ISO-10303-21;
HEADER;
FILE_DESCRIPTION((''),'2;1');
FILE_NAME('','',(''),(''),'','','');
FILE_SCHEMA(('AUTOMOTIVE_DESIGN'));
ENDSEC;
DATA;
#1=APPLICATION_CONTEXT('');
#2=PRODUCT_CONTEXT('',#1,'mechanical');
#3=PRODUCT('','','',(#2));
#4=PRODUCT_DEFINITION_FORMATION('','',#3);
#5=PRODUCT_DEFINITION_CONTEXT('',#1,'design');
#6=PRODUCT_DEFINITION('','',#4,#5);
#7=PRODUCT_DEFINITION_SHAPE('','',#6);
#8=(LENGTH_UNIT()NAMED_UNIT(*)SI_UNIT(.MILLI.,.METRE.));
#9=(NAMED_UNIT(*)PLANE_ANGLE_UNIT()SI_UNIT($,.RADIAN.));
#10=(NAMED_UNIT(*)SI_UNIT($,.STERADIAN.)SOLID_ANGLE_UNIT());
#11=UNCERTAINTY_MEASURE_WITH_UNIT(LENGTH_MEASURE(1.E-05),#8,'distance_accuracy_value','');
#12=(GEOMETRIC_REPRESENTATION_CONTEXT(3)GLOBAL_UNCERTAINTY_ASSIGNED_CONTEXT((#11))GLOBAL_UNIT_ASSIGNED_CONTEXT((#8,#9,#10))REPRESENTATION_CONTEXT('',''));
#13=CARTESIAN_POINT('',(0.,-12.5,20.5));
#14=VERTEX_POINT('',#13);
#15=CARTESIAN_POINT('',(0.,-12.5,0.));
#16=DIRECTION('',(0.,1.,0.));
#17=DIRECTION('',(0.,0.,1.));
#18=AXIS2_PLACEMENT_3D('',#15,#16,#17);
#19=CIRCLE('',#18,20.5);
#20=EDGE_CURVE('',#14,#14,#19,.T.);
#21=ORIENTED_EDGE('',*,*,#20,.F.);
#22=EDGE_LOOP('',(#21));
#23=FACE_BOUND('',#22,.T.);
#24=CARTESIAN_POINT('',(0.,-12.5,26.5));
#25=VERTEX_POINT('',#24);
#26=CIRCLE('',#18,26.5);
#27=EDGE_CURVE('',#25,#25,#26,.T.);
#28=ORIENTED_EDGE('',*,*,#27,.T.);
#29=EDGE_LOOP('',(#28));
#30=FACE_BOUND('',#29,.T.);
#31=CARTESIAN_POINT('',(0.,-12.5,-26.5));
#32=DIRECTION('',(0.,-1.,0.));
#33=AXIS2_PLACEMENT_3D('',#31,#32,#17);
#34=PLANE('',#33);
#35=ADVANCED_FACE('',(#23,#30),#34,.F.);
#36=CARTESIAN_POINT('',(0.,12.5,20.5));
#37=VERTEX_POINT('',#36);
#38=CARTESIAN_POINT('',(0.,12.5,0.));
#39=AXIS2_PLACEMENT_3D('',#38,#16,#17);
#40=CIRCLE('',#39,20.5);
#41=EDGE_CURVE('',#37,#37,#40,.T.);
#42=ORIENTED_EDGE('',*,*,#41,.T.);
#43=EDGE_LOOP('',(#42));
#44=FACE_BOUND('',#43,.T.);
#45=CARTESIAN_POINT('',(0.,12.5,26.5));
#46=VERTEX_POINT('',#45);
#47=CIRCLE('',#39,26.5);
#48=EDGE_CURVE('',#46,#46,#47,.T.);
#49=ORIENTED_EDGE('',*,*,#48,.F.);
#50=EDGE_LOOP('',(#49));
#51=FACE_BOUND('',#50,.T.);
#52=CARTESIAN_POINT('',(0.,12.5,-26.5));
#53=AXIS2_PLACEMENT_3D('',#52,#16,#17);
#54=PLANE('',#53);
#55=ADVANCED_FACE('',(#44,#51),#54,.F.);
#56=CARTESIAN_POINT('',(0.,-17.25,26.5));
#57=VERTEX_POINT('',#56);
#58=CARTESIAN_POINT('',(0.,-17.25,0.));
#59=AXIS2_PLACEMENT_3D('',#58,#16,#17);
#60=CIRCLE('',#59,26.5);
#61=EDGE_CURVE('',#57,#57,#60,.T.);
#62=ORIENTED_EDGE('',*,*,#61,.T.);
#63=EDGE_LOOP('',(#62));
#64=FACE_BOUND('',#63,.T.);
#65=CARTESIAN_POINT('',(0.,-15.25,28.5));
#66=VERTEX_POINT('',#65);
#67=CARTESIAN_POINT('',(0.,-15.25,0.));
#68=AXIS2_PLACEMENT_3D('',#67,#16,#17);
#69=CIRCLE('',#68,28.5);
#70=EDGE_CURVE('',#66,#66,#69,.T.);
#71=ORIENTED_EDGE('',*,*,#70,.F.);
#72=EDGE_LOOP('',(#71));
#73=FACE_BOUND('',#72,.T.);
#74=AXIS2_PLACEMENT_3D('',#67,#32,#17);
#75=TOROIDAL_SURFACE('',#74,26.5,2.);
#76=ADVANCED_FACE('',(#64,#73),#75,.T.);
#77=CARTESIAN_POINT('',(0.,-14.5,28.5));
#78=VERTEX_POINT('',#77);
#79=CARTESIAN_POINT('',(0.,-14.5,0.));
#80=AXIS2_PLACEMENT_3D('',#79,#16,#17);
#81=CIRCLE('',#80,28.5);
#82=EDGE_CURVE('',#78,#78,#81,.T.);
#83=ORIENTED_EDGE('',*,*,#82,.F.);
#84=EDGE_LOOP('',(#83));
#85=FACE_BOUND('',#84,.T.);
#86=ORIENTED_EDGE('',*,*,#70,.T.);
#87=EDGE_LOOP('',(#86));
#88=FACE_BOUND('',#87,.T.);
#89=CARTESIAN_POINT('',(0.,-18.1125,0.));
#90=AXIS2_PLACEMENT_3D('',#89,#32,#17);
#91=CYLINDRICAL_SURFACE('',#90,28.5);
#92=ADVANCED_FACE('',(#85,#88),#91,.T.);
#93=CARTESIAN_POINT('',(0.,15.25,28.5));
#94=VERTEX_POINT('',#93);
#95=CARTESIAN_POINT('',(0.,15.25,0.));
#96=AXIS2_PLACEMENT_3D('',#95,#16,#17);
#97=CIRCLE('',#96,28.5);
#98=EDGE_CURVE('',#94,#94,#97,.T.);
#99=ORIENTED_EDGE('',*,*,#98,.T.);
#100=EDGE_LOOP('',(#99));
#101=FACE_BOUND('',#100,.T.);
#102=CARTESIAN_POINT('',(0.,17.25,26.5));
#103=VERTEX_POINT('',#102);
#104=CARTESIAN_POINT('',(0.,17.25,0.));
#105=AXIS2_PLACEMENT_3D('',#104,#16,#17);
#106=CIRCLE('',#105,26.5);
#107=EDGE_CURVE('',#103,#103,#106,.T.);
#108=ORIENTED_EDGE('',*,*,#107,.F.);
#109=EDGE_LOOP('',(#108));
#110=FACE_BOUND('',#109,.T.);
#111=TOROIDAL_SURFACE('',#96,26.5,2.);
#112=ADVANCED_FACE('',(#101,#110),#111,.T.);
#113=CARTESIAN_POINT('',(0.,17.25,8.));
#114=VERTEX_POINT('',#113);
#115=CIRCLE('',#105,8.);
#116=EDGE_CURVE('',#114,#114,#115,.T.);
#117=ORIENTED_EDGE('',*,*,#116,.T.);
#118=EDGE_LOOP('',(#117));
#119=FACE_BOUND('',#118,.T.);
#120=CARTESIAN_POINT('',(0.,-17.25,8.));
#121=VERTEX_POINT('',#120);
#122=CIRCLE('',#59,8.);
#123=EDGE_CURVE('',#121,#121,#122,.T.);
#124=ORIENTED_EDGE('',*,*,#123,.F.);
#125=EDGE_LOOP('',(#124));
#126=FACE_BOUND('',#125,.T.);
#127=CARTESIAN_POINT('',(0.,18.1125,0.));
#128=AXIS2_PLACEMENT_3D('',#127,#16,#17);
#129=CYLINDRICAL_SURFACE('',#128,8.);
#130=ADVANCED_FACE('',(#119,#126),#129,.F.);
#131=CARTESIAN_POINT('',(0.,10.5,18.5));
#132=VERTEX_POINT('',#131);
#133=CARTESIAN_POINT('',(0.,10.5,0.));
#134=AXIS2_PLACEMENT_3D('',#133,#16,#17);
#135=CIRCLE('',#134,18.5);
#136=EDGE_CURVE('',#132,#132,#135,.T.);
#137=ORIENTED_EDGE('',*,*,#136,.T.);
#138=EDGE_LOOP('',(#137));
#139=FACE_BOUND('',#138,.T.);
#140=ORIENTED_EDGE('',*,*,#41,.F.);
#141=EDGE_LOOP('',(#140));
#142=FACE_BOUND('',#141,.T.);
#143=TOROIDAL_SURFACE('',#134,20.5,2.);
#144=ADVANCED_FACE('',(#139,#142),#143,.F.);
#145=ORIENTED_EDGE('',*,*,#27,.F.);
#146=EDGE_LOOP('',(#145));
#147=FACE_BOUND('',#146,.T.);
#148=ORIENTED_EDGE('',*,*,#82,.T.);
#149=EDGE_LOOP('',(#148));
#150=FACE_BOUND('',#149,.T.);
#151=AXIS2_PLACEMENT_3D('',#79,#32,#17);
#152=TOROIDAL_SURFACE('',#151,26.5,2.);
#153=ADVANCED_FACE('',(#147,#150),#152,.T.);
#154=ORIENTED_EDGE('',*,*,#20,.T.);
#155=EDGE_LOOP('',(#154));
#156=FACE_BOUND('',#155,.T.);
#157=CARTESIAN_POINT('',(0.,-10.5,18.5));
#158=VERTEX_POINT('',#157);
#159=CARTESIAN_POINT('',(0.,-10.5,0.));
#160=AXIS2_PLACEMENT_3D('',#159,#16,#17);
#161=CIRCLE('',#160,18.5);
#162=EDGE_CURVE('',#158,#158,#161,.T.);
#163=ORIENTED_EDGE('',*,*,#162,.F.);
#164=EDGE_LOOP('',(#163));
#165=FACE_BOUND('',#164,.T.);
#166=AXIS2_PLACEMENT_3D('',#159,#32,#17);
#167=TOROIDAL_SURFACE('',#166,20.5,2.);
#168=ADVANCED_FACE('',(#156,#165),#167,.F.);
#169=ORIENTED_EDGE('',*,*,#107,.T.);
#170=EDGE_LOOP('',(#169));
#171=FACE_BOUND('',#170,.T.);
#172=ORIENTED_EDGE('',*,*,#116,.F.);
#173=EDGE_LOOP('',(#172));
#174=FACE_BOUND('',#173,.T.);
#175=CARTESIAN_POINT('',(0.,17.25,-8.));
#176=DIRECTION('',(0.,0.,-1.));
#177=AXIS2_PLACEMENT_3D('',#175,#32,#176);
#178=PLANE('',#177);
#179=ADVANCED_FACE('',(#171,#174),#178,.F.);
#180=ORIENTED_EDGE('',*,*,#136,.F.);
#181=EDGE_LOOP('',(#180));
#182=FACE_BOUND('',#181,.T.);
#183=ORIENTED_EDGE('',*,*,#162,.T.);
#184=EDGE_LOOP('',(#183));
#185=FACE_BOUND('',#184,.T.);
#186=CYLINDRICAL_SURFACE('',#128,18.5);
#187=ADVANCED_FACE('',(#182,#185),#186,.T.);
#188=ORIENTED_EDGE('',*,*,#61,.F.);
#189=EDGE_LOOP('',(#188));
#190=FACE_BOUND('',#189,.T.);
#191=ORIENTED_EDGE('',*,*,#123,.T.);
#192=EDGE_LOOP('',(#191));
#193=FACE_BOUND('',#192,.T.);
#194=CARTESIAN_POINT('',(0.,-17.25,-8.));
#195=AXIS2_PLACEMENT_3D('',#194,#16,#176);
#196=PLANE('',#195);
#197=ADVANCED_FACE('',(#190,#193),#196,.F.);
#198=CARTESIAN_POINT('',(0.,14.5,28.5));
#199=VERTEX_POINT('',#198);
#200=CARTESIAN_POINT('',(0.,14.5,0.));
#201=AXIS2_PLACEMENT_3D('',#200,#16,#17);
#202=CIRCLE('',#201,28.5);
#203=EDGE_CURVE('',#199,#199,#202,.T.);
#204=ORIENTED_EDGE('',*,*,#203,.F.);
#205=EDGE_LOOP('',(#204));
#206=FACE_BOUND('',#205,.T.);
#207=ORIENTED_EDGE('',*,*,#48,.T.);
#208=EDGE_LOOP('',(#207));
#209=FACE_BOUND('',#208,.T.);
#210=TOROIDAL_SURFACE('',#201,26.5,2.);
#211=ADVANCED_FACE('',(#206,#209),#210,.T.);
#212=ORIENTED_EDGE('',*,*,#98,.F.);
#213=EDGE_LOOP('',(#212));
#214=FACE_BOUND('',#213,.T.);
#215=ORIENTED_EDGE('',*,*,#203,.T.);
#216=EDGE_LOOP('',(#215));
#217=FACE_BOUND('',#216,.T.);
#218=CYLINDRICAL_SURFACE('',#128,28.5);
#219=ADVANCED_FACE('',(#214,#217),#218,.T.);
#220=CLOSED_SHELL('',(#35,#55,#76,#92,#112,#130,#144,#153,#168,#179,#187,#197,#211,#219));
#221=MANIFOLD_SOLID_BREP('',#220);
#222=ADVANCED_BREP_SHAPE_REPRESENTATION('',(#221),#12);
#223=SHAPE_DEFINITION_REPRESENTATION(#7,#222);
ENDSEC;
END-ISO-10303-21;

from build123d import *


with BuildPart() as part:
    # Sketch3 → Revolve1 (revolve)
    with BuildSketch(Plane(origin=(0, 0, 0), x_dir=(0, 0, -1), z_dir=(1, 0, 0)), mode=Mode.PRIVATE) as revolve1_sk:
        with BuildLine():
            Line((8, 0), (8, 17.25))
            Line((8, 17.25), (26.5, 17.25))
            ThreePointArc((26.5, 17.25), (27.914213562, 16.664213562), (28.5, 15.25))
            Line((28.5, 15.25), (28.5, 14.5))
            ThreePointArc((28.5, 14.5), (27.914213562, 13.085786438), (26.5, 12.5))
            Line((26.5, 12.5), (20.5, 12.5))
            ThreePointArc((20.5, 12.5), (19.085786438, 11.914213562), (18.5, 10.5))
            Line((18.5, 10.5), (18.5, 0))
            Line((18.5, 0), (8, 0))
        make_face()
    revolve1 = revolve(revolve1_sk.sketch.rotate(Axis((0, 18.1125, 0), (0, -1, 0)), 180), axis=Axis((0, 18.1125, 0), (0, -1, 0)))

    # Mirror1: Revolve1 across plane
    add(revolve1.mirror(Plane(origin=(0, 0, -18.5), x_dir=(0, 0, 1), z_dir=(0, 1, 0))))


solid = part.part
